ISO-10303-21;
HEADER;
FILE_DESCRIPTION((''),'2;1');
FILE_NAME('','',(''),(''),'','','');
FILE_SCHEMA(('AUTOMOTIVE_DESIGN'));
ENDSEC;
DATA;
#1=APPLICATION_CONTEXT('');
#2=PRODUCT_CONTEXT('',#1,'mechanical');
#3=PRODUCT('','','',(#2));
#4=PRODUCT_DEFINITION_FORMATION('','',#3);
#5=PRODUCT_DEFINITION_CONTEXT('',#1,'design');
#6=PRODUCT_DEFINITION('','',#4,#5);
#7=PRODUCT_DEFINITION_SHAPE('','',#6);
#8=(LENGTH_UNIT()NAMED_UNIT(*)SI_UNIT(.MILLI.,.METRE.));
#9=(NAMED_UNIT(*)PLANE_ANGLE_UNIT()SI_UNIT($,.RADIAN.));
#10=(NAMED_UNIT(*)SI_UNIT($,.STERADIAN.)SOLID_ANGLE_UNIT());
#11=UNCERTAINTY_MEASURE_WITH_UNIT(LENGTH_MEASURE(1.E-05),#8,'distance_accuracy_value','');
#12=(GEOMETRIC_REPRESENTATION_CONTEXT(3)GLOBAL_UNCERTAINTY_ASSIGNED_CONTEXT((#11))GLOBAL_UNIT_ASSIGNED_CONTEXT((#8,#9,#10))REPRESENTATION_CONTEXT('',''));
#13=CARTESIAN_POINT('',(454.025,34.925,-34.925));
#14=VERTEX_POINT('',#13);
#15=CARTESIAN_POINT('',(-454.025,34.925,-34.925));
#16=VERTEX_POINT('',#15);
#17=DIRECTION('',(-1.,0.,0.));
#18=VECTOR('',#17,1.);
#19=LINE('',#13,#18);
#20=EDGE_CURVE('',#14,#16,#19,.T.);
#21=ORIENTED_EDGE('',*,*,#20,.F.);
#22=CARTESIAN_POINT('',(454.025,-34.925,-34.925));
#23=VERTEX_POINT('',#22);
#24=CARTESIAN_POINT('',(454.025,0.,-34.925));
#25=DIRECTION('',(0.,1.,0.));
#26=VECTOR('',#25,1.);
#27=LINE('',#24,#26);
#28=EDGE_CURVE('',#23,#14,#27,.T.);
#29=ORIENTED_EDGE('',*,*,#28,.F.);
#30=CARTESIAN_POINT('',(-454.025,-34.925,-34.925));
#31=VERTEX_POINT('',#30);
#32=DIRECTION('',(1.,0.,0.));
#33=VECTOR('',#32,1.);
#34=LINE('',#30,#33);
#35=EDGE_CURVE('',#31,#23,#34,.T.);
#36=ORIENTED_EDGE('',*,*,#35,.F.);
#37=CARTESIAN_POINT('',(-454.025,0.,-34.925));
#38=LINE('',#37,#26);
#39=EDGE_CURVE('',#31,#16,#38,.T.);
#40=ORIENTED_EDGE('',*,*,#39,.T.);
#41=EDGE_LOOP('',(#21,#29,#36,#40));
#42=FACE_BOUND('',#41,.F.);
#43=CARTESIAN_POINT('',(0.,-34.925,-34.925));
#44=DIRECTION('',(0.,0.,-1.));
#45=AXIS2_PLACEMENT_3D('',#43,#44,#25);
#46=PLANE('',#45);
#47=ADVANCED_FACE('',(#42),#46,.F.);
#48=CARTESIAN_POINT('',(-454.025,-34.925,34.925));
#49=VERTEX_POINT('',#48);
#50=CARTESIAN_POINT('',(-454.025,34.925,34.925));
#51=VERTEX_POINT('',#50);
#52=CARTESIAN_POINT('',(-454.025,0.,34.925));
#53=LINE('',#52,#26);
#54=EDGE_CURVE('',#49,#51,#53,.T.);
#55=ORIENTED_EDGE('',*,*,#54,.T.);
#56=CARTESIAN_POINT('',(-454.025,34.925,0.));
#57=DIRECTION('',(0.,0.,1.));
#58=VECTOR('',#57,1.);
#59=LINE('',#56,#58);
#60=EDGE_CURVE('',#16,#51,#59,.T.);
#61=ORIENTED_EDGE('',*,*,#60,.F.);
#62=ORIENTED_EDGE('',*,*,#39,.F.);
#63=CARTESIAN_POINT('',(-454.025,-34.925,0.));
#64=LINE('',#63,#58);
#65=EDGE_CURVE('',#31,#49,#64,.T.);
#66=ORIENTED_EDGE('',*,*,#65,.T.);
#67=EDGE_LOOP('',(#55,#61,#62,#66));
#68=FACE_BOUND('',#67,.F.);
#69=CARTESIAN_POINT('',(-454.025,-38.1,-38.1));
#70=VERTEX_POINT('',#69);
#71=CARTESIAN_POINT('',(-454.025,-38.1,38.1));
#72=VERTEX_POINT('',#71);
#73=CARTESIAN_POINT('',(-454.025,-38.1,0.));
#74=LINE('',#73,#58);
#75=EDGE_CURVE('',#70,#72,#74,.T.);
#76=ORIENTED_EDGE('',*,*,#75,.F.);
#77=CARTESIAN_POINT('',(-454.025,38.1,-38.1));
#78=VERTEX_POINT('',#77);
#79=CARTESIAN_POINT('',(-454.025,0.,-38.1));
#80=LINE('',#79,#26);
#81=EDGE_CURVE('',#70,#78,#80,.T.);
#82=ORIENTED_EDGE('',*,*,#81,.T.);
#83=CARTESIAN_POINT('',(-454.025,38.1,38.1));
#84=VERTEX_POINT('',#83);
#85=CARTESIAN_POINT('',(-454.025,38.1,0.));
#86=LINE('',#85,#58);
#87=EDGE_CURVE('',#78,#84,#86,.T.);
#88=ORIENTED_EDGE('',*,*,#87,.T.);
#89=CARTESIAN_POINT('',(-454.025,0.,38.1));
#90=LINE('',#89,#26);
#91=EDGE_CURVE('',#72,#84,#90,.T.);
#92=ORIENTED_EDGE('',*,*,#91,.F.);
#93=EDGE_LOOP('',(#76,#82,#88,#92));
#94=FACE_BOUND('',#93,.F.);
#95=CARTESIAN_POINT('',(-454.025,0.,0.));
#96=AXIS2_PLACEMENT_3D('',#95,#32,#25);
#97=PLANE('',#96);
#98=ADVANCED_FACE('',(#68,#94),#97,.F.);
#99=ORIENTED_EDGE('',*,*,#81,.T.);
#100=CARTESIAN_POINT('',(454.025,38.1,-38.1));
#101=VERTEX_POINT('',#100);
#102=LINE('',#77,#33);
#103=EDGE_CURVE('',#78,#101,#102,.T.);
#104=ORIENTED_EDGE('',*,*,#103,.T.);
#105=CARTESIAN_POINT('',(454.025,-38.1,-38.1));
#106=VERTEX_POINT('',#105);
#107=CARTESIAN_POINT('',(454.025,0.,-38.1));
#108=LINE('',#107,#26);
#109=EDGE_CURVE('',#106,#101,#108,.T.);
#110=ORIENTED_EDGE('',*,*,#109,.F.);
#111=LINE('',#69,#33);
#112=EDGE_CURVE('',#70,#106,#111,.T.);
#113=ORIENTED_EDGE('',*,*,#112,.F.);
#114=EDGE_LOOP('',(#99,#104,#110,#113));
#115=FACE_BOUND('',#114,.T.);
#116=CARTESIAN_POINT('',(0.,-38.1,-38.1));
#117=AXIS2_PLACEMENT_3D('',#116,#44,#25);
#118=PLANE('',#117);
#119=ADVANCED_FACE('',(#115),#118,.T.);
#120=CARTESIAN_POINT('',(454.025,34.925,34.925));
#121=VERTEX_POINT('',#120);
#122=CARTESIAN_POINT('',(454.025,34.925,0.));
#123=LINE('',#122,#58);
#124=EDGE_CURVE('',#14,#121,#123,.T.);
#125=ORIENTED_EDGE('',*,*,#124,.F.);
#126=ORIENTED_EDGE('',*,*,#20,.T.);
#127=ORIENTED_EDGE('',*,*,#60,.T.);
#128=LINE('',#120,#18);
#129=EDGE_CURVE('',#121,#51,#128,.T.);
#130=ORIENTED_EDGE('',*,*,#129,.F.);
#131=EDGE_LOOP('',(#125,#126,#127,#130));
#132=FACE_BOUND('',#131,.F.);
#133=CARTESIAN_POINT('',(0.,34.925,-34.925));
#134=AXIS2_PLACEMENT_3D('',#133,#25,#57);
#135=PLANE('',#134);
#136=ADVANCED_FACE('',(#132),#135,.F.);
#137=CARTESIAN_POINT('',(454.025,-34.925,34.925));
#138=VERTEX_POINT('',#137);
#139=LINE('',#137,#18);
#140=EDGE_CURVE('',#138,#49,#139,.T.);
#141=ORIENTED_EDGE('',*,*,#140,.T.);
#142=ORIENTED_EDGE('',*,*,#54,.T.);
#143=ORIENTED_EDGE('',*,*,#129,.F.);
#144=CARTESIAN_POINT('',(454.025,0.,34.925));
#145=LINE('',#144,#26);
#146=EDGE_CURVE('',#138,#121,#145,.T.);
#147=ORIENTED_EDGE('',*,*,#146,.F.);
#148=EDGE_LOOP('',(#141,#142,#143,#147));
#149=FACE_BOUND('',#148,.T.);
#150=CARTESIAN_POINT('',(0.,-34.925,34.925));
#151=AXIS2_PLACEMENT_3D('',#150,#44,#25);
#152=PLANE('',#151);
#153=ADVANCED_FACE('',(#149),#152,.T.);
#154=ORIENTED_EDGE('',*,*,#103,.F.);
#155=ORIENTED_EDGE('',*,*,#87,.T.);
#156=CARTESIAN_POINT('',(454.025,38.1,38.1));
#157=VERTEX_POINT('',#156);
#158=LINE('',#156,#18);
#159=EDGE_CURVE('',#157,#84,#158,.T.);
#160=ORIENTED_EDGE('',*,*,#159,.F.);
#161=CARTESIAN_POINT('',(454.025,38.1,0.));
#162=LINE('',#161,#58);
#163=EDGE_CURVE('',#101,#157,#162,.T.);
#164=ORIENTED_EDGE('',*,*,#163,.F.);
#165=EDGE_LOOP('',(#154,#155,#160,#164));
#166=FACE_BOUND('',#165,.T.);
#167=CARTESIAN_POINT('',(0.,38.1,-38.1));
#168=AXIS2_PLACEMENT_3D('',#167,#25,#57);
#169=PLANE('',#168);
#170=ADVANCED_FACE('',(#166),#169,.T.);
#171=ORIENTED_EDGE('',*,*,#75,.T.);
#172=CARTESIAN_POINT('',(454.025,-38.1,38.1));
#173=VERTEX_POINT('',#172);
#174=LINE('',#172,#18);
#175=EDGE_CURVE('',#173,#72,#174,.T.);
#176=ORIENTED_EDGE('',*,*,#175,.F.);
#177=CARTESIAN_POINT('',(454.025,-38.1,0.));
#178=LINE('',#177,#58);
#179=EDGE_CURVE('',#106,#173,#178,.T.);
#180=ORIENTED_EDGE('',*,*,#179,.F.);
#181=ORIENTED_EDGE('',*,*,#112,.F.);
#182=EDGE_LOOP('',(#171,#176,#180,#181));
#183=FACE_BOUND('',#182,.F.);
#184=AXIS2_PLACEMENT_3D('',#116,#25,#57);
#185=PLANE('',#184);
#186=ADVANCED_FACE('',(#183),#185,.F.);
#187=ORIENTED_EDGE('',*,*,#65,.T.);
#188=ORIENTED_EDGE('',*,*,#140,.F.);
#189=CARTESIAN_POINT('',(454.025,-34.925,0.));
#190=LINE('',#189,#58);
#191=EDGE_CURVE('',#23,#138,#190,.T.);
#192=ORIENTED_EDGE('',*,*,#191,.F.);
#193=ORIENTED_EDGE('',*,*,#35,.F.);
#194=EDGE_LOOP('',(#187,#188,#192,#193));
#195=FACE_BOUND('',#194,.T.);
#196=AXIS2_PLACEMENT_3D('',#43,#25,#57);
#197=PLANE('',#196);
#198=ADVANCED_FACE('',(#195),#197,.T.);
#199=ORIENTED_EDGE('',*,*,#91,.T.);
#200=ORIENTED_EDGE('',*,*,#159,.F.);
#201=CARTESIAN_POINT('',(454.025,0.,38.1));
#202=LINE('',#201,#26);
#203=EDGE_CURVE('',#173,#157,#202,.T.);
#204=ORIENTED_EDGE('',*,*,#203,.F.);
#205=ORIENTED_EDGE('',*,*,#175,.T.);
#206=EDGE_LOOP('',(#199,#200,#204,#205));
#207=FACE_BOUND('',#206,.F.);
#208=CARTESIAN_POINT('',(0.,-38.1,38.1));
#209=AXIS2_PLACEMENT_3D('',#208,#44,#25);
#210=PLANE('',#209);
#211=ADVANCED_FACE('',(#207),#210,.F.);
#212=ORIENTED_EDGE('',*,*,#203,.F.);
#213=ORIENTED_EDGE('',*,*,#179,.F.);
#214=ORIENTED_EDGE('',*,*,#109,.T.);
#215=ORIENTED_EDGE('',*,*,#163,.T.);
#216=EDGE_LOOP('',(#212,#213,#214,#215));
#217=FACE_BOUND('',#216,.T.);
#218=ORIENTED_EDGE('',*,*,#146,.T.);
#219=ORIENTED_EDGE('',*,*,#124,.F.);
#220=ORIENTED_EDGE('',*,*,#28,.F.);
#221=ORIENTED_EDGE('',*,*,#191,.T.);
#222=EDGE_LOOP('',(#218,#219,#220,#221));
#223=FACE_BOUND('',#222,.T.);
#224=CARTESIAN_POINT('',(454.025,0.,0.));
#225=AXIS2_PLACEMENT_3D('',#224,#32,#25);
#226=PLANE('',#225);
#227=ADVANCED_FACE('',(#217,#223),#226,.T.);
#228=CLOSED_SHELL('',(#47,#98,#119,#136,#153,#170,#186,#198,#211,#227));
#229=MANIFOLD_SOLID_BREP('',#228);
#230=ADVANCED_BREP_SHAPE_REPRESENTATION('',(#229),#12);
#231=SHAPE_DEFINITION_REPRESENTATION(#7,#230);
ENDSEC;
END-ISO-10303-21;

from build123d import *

# Parameters (mm, degrees)
F0_W          = 76.2
F0_H          = 76.2
F0_W_2        = 69.85
F0_H_2        = 69.85
F1_DEPTH      = 454.025
F1_DEPTH_BACK = 454.025


with BuildPart() as f1:
    # F0 (on Right) → F1 (new body, two sides)
    with BuildSketch(Plane.YZ) as f1_sk:
        Rectangle(F0_W, F0_H)
        Rectangle(F0_W_2, F0_H_2, mode=Mode.SUBTRACT)
    extrude(amount=F1_DEPTH)
    extrude(f1_sk.sketch, amount=-F1_DEPTH_BACK)


solid = f1.part
